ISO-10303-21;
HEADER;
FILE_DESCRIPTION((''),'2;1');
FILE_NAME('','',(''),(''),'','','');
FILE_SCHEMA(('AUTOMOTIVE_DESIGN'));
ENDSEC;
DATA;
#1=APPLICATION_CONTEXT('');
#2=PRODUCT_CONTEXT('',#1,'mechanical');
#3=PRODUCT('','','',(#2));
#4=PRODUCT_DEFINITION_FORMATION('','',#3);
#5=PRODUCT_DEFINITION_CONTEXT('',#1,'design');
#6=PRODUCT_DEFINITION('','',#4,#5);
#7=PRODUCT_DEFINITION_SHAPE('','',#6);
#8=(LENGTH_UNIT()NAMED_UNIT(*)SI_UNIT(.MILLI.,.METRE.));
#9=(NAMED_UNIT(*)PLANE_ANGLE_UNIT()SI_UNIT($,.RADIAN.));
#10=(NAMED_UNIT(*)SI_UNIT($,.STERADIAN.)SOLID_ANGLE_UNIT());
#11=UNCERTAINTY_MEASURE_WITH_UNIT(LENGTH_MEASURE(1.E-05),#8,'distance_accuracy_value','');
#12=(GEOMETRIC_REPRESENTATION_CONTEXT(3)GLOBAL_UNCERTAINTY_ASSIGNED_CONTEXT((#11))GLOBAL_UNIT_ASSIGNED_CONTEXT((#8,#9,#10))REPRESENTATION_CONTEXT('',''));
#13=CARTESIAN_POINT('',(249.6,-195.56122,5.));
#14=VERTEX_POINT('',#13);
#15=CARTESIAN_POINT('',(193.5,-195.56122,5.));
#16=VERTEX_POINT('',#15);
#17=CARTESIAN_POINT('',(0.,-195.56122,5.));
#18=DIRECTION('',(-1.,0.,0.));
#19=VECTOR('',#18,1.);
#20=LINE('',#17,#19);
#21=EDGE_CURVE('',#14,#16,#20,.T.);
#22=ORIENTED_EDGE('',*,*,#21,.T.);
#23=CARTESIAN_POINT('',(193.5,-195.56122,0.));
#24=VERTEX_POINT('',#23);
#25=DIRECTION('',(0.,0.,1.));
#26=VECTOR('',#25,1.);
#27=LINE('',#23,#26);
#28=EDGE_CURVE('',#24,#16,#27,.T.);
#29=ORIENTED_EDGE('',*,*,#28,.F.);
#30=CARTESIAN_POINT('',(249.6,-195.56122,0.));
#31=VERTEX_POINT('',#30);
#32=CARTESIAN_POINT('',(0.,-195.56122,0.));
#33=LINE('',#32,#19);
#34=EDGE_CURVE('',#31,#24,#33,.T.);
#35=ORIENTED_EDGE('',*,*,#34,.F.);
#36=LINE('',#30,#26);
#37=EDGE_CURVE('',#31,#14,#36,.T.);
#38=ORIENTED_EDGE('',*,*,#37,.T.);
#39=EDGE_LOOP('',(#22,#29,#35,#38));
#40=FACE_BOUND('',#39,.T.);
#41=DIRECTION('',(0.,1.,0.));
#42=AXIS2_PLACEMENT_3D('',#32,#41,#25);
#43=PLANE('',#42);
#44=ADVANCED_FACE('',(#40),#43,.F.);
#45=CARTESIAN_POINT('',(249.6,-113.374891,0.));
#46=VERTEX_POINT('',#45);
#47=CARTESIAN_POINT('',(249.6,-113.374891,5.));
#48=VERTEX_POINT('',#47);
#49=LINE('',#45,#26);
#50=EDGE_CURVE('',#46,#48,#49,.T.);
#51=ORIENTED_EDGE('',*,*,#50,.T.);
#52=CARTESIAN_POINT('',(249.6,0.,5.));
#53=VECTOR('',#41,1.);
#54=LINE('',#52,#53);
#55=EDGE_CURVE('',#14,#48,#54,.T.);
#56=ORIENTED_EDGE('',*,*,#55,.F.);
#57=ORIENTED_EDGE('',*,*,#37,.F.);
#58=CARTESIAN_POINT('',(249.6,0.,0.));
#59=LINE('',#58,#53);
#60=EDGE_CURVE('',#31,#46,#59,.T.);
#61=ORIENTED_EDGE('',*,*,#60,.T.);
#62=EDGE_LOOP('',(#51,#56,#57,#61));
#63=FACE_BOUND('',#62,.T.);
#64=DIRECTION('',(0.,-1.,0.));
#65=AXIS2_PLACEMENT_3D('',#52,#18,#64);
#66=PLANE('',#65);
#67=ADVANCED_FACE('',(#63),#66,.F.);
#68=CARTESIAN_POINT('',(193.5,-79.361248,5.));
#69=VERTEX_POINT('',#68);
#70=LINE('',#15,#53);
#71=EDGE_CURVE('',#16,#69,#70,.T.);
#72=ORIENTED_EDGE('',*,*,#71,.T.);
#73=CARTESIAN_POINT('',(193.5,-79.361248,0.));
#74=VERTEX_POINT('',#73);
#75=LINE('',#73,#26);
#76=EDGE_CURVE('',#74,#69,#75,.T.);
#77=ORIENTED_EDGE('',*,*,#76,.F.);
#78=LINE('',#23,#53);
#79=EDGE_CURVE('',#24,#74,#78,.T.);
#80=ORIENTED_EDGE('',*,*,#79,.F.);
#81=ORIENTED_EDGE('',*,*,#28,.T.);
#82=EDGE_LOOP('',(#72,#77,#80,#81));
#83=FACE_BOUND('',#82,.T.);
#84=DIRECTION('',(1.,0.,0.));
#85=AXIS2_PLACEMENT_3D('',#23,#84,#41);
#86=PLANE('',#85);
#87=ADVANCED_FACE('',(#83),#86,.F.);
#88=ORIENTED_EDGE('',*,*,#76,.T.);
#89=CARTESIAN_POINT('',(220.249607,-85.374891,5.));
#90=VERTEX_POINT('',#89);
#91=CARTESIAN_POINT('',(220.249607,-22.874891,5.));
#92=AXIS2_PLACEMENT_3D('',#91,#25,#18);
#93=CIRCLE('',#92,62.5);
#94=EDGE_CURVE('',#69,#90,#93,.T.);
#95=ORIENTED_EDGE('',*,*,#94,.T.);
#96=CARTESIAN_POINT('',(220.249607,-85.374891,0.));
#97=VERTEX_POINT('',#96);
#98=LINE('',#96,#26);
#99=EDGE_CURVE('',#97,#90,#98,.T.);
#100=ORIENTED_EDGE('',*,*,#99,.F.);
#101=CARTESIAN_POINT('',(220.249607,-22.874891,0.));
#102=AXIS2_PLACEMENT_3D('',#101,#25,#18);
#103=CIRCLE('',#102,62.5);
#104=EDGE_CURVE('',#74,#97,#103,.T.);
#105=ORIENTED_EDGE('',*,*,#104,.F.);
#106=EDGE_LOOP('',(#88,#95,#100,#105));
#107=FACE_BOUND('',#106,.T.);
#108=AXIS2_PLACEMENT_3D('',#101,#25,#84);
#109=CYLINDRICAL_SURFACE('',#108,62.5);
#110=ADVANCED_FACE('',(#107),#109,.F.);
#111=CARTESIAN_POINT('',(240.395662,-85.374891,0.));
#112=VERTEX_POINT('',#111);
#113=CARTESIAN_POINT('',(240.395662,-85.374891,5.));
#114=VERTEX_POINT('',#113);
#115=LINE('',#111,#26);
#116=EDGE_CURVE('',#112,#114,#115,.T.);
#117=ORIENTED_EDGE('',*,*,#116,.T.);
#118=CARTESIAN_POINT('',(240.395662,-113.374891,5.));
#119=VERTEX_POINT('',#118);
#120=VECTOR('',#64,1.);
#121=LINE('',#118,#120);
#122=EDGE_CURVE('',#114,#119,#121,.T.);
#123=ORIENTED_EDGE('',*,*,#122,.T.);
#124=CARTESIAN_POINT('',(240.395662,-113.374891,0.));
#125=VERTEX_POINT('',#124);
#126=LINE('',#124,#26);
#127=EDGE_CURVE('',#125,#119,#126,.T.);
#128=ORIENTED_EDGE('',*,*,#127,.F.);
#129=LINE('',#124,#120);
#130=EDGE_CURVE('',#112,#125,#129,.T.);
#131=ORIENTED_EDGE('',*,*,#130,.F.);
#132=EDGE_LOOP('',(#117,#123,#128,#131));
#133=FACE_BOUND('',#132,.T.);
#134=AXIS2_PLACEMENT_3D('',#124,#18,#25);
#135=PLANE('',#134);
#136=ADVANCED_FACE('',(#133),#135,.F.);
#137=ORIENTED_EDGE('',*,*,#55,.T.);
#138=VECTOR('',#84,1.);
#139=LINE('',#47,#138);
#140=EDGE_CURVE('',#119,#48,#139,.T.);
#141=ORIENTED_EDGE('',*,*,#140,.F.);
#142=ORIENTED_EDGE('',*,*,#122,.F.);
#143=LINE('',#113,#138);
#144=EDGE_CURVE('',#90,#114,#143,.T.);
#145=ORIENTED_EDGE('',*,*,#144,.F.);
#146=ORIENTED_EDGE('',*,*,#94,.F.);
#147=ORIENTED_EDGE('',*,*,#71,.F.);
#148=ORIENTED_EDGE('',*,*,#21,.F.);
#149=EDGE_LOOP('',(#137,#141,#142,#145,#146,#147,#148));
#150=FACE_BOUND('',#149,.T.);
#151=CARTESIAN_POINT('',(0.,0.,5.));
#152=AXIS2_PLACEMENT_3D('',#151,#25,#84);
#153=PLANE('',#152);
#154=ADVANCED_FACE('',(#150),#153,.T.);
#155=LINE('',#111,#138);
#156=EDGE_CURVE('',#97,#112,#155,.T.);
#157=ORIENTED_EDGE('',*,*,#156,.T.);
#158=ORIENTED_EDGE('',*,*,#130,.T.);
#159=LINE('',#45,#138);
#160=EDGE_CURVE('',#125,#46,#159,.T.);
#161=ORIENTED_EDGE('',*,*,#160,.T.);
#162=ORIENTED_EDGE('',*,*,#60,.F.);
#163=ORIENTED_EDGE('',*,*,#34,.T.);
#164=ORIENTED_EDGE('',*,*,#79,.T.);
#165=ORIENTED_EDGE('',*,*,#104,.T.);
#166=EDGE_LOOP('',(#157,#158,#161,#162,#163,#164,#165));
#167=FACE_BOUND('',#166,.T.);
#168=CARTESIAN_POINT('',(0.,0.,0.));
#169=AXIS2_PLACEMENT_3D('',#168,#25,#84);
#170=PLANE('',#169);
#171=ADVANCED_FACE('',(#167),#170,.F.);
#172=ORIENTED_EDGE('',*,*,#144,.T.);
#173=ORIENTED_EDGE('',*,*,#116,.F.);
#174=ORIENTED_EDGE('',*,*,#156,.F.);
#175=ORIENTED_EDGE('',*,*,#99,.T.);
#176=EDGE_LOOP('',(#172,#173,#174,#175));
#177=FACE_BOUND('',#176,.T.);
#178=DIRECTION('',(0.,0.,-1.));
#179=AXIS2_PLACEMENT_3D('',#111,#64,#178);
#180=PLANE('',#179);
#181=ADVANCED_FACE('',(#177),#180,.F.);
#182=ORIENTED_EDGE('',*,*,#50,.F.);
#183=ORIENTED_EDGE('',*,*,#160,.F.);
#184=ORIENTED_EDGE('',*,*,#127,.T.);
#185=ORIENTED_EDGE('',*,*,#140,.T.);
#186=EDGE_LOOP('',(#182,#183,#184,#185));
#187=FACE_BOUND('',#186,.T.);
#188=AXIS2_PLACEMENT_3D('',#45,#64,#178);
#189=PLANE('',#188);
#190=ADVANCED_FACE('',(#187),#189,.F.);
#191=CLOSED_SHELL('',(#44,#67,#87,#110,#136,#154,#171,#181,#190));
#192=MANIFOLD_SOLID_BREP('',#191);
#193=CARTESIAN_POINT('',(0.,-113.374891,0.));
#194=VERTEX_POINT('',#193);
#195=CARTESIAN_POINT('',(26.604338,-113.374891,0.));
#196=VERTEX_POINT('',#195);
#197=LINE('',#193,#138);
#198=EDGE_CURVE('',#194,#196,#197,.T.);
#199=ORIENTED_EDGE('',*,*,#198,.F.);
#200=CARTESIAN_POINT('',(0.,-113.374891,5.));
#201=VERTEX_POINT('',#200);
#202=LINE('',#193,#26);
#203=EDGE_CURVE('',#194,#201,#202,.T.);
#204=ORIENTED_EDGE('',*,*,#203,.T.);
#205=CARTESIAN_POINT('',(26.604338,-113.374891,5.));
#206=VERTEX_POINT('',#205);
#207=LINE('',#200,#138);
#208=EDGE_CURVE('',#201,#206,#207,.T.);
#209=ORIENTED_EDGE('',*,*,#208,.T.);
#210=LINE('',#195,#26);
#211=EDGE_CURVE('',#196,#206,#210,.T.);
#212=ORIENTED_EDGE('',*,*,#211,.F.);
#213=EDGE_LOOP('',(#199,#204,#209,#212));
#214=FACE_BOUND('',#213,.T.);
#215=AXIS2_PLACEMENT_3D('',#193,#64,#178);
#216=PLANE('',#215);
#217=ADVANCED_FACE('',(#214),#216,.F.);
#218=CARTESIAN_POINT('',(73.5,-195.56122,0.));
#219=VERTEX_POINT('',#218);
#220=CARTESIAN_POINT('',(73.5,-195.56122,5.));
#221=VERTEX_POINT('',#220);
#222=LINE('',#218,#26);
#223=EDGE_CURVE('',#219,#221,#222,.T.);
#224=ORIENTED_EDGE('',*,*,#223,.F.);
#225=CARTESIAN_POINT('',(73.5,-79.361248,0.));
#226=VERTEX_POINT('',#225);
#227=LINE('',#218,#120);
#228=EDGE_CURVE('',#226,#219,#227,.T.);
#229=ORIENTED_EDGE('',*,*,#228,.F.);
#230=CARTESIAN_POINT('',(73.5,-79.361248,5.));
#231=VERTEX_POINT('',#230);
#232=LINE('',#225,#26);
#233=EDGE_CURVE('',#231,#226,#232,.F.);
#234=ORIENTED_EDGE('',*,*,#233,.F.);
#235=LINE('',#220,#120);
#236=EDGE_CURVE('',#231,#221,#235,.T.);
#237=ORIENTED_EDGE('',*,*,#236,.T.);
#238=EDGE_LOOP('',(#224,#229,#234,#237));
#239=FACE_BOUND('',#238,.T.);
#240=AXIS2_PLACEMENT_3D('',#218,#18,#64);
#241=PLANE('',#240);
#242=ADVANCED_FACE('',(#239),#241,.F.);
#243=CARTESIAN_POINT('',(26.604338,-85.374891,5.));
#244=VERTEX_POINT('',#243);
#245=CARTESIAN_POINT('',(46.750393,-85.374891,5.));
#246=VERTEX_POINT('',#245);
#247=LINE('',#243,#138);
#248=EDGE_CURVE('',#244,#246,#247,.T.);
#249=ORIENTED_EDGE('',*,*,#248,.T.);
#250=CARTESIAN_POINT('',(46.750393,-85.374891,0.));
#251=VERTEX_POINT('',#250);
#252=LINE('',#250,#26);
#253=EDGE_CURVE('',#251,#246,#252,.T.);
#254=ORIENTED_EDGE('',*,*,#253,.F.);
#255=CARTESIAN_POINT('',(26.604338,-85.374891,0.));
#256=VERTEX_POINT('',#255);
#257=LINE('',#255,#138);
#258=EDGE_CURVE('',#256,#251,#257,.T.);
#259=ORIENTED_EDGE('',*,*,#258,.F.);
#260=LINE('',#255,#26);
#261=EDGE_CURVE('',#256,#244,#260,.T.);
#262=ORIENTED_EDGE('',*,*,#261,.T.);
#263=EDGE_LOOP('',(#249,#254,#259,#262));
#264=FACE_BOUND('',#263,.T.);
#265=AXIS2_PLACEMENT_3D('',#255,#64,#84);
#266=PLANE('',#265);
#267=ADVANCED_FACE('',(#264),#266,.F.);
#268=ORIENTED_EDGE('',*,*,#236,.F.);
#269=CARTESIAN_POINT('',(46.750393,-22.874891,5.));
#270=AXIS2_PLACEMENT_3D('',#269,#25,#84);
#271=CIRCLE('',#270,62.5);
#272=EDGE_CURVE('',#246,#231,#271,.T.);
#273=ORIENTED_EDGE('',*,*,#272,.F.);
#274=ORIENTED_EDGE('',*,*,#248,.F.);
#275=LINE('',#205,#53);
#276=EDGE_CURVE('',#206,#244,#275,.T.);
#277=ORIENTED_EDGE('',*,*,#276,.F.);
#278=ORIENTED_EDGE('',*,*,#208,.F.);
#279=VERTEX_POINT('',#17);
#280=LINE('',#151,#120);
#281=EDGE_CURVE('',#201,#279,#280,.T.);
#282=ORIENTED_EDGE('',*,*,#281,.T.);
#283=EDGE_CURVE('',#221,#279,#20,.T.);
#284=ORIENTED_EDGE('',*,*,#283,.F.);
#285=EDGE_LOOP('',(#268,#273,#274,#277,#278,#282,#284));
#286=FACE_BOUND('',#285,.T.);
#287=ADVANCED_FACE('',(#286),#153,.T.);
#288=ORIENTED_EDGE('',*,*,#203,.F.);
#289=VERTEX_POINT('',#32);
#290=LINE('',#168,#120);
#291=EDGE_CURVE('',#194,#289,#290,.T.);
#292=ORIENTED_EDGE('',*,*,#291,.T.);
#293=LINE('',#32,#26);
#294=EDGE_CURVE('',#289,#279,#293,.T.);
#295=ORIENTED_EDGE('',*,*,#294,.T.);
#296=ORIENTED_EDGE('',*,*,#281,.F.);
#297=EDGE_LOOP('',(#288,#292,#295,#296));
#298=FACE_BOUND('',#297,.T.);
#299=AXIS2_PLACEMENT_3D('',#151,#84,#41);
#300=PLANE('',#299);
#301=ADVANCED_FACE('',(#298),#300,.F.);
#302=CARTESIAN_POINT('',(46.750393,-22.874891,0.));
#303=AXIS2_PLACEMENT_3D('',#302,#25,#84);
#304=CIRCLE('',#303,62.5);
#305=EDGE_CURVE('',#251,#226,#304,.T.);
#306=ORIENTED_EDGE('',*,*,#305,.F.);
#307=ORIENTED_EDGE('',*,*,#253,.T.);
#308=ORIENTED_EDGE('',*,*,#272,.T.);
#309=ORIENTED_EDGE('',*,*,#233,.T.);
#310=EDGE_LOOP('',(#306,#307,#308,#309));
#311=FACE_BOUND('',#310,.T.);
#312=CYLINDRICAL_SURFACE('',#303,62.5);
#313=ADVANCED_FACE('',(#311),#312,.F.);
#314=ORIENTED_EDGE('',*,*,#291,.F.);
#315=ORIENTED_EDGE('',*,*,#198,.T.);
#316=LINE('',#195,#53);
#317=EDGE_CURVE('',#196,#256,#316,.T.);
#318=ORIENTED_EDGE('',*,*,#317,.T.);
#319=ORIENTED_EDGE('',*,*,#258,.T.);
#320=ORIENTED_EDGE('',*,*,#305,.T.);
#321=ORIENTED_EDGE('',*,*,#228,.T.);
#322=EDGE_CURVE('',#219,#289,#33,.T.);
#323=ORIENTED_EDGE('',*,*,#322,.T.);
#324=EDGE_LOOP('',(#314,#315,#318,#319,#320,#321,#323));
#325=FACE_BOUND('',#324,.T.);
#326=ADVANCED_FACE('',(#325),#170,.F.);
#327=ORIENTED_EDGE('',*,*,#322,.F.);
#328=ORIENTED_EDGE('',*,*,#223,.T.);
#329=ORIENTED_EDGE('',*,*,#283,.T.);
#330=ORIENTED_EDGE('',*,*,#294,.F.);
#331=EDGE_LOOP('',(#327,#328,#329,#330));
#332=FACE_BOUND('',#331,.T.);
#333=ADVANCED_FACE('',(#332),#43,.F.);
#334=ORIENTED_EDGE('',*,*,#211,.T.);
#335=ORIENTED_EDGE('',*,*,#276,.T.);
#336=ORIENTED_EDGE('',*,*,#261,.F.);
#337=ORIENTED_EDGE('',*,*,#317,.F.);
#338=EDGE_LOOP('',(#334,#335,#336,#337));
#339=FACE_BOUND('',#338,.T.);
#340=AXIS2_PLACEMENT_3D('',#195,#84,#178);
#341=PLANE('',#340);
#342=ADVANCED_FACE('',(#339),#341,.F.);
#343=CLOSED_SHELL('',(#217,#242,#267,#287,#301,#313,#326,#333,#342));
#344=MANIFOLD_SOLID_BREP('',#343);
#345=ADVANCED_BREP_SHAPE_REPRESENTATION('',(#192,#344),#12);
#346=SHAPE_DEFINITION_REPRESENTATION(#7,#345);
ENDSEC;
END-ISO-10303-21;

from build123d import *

# Parameters (mm, degrees)
SKETCH1_W           = 249.6
SKETCH1_H           = 267.4
BOSS_EXTRUDE1_DEPTH = 5
SKETCH5_W           = 249.6
SKETCH5_H           = 71.838779628
CUT_EXTRUDE3_DEPTH  = 6
SKETCH7_W           = 120
SKETCH7_H           = 195.561220372
CUT_EXTRUDE4_DEPTH  = 6


with BuildPart() as part:
    # Sketch1 → Boss-Extrude1 (new body)
    with BuildSketch(Plane.XY):
        with Locations((124.8, -133.7)):
            Rectangle(SKETCH1_W, SKETCH1_H)
    extrude(amount=BOSS_EXTRUDE1_DEPTH)

    # Sketch5 → Cut-Extrude3 (cut, through all)
    with BuildSketch(Plane.XY.offset(5)):
        with Locations((124.8, -231.480610186)):
            Rectangle(SKETCH5_W, SKETCH5_H)
        with BuildLine():
            Line((162.086136524, 0), (249.6, 0))
            Line((249.6, 0), (249.6, -113.374891146))
            Line((249.6, -113.374891146), (240.395661642, -113.374891146))
            Line((240.395661642, -113.374891146), (240.395661642, -85.374891146))
            Line((240.395661642, -85.374891146), (220.249607492, -85.374891146))
            ThreePointArc((220.249607492, -85.374891146), (168.597256642, -58.064160131), (162.086136524, 0))
        make_face()
        with BuildLine():
            Line((104.913863476, 0), (0, 0))
            Line((0, 0), (0, -113.374891146))
            Line((0, -113.374891146), (26.604338358, -113.374891146))
            Line((26.604338358, -113.374891146), (26.604338358, -85.374891146))
            Line((26.604338358, -85.374891146), (46.750392508, -85.374891146))
            ThreePointArc((46.750392508, -85.374891146), (98.402743358, -58.064160131), (104.913863476, 0))
        make_face()
    extrude(amount=-CUT_EXTRUDE3_DEPTH, mode=Mode.SUBTRACT)

    # Sketch7 → Cut-Extrude4 (cut, through all)
    with BuildSketch(Plane.XY.offset(5)):
        with Locations((133.5, -97.780610186)):
            Rectangle(SKETCH7_W, SKETCH7_H)
    extrude(amount=-CUT_EXTRUDE4_DEPTH, mode=Mode.SUBTRACT)


solid = part.part
